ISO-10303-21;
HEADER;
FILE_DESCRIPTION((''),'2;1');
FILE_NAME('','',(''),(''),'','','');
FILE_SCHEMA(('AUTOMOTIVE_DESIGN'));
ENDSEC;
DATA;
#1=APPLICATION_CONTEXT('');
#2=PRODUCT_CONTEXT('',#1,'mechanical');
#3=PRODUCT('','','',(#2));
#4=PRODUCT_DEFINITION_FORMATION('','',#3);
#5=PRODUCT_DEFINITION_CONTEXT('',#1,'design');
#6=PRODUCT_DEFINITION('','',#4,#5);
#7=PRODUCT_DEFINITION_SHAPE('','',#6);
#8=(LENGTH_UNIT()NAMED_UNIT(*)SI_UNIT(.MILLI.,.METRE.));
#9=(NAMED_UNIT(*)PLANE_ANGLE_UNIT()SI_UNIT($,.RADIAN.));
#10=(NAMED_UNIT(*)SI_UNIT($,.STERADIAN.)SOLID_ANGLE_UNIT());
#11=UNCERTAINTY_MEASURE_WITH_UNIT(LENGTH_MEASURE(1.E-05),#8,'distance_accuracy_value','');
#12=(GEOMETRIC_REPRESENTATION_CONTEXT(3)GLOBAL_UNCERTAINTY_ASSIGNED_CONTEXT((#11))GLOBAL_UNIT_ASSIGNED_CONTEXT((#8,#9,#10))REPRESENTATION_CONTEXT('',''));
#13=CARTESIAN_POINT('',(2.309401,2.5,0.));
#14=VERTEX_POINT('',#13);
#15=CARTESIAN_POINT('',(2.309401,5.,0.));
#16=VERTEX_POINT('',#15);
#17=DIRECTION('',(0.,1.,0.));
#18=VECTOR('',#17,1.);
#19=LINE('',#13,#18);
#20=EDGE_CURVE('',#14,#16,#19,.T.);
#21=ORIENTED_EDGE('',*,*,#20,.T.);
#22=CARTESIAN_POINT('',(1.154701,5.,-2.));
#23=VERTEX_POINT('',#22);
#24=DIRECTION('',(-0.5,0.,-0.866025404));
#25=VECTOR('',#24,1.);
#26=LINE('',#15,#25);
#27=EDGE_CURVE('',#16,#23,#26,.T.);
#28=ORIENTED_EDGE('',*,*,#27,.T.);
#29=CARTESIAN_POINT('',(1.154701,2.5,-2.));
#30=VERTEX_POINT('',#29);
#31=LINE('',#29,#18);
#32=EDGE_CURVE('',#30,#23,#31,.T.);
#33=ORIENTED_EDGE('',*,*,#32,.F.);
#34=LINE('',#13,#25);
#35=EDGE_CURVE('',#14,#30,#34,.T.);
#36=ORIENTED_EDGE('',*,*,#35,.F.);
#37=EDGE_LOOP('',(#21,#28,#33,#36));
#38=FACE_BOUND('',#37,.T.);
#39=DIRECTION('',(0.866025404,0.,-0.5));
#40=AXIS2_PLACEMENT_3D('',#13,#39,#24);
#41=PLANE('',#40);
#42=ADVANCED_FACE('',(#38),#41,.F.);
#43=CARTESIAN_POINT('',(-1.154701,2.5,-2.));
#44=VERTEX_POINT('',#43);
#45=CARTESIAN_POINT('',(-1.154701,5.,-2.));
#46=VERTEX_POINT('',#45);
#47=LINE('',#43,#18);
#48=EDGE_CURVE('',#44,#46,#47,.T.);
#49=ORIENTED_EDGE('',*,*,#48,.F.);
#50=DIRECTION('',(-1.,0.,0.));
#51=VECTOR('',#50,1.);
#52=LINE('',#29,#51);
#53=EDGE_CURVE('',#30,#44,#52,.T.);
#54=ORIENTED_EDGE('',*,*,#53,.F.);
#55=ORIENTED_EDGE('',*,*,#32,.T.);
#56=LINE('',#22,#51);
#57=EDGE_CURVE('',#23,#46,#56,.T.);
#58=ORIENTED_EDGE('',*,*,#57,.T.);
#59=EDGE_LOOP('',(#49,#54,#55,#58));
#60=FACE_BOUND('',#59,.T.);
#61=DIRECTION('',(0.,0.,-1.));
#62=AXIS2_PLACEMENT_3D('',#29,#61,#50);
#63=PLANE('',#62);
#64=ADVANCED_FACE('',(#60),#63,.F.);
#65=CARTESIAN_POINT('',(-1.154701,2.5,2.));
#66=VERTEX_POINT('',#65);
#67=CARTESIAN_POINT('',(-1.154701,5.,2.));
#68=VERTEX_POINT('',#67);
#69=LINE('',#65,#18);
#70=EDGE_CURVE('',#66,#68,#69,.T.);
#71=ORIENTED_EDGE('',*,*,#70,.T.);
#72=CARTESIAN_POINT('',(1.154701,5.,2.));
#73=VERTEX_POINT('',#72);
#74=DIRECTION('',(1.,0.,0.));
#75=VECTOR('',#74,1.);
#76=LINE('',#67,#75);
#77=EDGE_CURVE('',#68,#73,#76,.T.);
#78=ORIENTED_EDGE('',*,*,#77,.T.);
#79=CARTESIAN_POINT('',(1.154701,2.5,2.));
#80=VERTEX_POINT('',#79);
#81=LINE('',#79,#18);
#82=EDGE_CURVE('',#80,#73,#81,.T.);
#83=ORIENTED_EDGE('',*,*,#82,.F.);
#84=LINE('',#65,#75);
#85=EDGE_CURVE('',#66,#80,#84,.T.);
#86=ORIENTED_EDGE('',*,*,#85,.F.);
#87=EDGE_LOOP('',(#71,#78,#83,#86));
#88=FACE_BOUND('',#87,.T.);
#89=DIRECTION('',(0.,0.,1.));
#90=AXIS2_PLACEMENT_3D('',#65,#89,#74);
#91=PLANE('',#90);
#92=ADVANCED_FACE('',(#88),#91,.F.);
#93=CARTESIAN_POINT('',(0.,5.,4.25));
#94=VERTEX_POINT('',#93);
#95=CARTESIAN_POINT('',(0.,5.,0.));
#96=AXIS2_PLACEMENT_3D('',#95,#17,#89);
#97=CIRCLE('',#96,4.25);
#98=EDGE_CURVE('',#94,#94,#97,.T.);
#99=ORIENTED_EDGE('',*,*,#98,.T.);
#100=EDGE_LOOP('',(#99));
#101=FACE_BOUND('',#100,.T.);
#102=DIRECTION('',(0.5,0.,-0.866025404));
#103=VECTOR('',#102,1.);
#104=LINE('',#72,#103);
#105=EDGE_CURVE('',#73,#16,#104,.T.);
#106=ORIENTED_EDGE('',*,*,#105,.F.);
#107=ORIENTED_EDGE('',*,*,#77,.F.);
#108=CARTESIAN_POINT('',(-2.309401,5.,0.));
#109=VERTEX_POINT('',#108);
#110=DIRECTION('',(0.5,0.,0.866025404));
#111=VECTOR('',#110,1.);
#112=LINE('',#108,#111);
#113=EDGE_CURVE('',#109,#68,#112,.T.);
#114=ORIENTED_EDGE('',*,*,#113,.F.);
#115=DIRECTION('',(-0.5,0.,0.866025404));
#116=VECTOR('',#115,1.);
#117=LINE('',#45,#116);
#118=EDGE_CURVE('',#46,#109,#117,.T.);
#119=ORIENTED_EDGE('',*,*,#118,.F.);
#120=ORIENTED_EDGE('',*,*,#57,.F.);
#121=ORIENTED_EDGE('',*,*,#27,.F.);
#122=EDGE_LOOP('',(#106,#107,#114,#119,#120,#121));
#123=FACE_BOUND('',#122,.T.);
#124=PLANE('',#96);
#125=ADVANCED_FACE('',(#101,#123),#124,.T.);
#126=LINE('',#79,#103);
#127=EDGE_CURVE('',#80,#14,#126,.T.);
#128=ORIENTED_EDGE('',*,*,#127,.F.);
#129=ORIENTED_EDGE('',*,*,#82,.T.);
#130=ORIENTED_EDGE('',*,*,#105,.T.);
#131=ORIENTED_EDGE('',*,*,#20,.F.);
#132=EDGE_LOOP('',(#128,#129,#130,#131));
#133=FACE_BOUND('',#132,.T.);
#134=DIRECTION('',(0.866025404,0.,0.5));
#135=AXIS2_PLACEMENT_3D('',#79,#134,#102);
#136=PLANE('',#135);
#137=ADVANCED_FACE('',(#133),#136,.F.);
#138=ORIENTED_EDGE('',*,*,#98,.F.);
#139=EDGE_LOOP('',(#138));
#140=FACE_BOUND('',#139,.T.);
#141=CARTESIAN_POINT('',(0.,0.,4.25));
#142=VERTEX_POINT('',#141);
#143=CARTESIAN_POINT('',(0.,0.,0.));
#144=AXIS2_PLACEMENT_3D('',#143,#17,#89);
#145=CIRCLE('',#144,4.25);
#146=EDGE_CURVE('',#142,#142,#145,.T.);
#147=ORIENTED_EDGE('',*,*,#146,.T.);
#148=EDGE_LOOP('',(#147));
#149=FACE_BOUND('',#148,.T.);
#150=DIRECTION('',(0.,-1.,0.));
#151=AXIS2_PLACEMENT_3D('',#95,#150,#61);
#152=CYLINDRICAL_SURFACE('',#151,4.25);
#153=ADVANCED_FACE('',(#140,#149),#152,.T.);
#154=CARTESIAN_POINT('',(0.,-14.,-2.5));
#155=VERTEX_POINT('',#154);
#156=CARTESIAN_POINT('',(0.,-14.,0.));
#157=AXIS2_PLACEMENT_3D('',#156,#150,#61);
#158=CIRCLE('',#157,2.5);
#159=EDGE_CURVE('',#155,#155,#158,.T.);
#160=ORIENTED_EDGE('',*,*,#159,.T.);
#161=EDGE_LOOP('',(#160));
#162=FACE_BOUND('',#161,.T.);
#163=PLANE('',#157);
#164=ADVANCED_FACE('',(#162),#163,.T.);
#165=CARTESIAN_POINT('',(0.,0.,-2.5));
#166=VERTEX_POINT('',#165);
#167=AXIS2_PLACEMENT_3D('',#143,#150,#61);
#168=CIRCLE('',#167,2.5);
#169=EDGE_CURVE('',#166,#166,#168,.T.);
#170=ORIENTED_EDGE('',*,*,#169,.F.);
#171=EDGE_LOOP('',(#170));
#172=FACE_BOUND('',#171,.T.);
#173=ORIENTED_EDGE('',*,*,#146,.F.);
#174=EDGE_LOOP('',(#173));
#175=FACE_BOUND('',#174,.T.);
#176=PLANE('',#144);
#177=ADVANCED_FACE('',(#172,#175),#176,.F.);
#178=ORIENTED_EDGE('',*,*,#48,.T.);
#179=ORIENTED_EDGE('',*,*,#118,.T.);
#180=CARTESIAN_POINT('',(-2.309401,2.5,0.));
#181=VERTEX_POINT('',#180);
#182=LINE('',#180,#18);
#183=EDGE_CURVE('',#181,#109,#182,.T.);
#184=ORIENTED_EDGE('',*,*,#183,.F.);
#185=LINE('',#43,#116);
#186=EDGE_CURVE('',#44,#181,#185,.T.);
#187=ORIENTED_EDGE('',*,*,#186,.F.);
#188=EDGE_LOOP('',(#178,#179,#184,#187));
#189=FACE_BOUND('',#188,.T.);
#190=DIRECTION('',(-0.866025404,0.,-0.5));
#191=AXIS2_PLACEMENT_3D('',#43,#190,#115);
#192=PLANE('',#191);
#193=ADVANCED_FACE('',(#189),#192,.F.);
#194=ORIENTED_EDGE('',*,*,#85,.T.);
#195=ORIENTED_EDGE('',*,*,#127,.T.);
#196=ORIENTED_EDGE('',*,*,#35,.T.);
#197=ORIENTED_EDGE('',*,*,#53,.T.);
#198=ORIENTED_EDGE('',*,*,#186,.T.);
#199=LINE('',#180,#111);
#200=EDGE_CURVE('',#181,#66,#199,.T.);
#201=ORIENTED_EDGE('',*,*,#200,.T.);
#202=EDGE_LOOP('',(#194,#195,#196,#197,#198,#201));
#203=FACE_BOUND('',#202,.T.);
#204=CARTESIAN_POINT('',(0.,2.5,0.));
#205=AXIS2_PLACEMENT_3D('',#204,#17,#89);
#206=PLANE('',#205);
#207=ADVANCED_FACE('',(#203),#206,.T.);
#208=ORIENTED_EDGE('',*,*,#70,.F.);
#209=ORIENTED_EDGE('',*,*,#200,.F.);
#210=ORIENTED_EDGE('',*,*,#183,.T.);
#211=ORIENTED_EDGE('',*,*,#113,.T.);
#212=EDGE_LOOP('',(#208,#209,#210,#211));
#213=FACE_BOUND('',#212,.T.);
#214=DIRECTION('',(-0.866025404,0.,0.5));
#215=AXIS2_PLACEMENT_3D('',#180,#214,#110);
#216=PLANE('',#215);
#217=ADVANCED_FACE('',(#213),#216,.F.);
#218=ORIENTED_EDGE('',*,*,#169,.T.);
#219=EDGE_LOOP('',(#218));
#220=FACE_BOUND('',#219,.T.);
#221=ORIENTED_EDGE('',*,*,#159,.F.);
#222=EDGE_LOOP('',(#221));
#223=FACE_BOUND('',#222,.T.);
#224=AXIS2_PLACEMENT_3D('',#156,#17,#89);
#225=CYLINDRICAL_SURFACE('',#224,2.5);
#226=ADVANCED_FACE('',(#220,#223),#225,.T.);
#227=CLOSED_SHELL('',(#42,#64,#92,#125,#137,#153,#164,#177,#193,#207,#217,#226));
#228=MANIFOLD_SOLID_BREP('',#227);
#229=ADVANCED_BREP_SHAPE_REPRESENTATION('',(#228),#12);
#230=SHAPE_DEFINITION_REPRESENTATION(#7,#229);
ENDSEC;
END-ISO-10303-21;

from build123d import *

# Parameters (mm, degrees)
SKETCH_1_R          = 4.25
EXTRUDE_1_DEPTH     = 5
CUT_EXTRUDE_1_DEPTH = 2.5
SKETCH_3_R          = 2.5
EXTRUDE_2_DEPTH     = 14


with BuildPart() as part:
    # 草图1 → 凸台-拉伸1 (new body)
    with BuildSketch(Plane(origin=(0, 0, 0), x_dir=(1, 0, 0), z_dir=(0, 1, 0))):
        Circle(SKETCH_1_R)
    extrude(amount=EXTRUDE_1_DEPTH)

    # 草图2 → 切除-拉伸1 (cut)
    with BuildSketch(Plane(origin=(0, 5, 0), x_dir=(1, 0, 0), z_dir=(0, 1, 0))):
        Polygon((2.309401077, 0), (1.154700538, 2), (-1.154700538, 2), (-2.309401077, 0), (-1.154700538, -2), (1.154700538, -2), align=None)
    extrude(amount=-CUT_EXTRUDE_1_DEPTH, mode=Mode.SUBTRACT)

    # 草图3 → 凸台-拉伸2 (add)
    with BuildSketch(Plane.XZ):
        Circle(SKETCH_3_R)
    extrude(amount=EXTRUDE_2_DEPTH)


solid = part.part
